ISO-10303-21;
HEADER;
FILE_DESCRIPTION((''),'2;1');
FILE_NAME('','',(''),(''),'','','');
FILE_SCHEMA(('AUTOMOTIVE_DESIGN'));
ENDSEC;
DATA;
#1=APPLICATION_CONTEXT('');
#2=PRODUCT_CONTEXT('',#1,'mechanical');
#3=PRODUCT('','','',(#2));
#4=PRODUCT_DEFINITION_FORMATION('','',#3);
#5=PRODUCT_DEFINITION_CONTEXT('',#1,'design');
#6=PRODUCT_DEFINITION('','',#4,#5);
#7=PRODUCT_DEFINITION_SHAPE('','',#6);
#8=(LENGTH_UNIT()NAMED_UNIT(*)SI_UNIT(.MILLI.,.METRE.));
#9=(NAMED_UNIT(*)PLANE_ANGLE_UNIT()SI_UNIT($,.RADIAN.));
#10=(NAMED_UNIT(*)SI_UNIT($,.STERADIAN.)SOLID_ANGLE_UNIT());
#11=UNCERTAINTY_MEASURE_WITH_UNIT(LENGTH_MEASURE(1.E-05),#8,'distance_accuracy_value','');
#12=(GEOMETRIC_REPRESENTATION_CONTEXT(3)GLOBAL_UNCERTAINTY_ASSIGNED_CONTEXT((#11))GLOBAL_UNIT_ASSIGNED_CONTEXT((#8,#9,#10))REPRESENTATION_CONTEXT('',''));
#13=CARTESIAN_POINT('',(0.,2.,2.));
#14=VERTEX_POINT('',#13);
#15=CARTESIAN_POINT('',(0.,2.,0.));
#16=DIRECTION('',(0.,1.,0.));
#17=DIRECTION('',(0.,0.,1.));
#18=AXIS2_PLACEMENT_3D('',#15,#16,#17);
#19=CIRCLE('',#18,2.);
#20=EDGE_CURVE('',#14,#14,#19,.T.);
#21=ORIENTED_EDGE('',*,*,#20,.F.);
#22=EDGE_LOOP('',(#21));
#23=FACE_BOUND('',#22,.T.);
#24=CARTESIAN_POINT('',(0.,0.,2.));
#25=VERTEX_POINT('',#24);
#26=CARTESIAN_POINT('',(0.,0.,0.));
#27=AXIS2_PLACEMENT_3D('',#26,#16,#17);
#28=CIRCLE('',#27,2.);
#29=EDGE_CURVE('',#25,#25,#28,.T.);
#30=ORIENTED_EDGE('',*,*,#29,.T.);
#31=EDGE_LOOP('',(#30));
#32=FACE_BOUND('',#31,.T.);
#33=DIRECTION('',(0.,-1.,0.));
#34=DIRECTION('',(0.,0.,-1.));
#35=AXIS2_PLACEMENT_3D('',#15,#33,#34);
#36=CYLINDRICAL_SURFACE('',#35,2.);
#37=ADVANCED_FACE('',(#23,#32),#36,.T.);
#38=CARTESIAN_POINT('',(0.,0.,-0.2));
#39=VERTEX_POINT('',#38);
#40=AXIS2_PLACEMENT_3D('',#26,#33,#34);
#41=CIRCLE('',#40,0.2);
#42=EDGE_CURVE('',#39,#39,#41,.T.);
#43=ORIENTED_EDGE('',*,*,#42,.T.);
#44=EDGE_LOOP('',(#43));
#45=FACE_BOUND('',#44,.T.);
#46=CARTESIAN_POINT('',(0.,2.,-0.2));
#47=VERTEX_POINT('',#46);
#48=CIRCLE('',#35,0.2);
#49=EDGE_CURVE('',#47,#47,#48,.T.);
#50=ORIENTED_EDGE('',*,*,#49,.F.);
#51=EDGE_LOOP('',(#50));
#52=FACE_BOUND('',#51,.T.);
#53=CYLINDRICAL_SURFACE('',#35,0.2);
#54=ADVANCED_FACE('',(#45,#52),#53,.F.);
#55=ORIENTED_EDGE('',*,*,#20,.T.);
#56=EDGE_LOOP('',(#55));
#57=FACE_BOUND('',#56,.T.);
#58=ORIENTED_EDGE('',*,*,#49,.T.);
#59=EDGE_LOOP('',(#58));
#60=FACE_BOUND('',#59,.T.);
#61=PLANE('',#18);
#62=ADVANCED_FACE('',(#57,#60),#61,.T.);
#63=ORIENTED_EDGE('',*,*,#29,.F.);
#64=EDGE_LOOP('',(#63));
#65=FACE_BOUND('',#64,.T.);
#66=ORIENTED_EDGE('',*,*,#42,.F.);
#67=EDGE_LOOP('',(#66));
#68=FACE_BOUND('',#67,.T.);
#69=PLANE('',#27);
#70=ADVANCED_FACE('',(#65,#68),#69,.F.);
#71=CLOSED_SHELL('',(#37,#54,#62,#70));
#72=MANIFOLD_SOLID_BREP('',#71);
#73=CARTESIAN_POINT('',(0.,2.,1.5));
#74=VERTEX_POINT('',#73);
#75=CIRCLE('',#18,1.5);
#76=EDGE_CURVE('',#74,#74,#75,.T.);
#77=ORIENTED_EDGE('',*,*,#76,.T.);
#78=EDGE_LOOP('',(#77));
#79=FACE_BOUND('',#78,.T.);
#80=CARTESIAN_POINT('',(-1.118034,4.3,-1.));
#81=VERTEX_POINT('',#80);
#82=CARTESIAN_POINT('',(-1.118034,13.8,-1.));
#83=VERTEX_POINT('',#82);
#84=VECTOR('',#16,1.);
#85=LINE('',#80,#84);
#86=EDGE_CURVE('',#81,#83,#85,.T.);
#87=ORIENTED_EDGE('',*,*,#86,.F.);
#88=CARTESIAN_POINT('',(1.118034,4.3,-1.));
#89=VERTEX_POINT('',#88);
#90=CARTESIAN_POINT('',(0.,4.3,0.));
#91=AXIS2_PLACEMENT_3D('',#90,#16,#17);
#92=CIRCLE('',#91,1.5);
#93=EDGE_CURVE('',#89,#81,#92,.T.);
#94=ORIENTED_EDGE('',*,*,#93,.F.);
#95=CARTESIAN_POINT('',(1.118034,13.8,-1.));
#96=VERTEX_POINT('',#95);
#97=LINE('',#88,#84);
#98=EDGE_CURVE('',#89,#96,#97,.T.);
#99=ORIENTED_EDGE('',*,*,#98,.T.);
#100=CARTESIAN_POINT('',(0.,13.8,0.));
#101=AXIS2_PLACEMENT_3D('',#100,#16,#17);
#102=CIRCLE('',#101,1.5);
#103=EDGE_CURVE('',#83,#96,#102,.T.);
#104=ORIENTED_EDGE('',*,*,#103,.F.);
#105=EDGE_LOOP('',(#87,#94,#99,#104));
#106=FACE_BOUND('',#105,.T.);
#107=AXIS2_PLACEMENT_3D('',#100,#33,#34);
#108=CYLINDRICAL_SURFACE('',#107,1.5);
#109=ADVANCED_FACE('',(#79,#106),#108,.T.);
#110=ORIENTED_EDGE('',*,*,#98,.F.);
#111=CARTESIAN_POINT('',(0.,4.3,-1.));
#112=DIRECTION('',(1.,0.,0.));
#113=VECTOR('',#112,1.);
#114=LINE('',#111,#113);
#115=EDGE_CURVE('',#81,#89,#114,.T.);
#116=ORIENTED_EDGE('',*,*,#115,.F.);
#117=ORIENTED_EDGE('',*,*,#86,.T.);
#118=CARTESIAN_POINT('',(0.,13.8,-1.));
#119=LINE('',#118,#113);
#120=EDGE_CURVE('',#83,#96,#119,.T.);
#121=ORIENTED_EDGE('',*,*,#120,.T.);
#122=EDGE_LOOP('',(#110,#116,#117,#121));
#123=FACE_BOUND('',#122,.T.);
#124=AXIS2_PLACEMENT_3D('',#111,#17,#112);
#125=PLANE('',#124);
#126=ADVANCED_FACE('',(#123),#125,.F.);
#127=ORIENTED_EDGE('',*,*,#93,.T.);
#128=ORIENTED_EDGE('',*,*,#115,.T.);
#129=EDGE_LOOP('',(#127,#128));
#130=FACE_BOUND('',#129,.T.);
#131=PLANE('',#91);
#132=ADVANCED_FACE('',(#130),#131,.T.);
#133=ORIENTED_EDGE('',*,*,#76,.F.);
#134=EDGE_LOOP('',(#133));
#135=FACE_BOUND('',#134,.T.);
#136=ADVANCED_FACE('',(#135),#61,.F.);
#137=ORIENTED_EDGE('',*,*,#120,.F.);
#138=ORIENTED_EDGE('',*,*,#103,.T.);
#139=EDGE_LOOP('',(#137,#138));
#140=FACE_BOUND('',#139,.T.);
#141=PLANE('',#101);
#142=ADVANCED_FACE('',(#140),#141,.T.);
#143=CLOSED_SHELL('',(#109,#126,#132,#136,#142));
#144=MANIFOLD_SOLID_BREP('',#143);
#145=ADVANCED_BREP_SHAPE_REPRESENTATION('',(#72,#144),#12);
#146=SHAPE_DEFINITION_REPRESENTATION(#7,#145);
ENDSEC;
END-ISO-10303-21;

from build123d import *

# Parameters (mm, degrees)
CROQUIS1_R              = 2
SALIENTE_EXTRUIR1_DEPTH = 2
CROQUIS2_R              = 0.2
CORTAR_EXTRUIR1_DEPTH   = 2
CROQUIS3_R              = 1.5
SALIENTE_EXTRUIR2_DEPTH = 11.8
CORTAR_EXTRUIR2_DEPTH   = 9.5


with BuildPart() as part:
    # Croquis1 → Saliente-Extruir1 (new body)
    with BuildSketch(Plane(origin=(0, 0, 0), x_dir=(1, 0, 0), z_dir=(0, 1, 0))):
        with Locations(Location((0, 0, 0), (0, 0, 270))):
            Circle(CROQUIS1_R)
    extrude(amount=SALIENTE_EXTRUIR1_DEPTH)

    # Croquis2 → Cortar-Extruir1 (cut)
    with BuildSketch(Plane.XZ):
        with Locations(Location((0, 0, 0), (0, 0, 270))):
            Circle(CROQUIS2_R)
    extrude(amount=-CORTAR_EXTRUIR1_DEPTH, mode=Mode.SUBTRACT)


with BuildPart() as body_2:
    # Croquis3 → Saliente-Extruir2 (new body)
    with BuildSketch(Plane(origin=(0, 2, 0), x_dir=(1, 0, 0), z_dir=(0, 1, 0))):
        with Locations(Location((0, 0, 0), (0, 0, 270))):
            Circle(CROQUIS3_R)
    extrude(amount=SALIENTE_EXTRUIR2_DEPTH)

    # Croquis5 → Cortar-Extruir2 (cut)
    with BuildSketch(Plane(origin=(0, 13.8, 0), x_dir=(1, 0, 0), z_dir=(0, 1, 0))):
        with BuildLine():
            Line((0, 1), (1.118033989, 1))
            ThreePointArc((1.118033989, 1), (0, 1.5), (-1.118033989, 1))
            Line((-1.118033989, 1), (0, 1))
        make_face()
    extrude(amount=-CORTAR_EXTRUIR2_DEPTH, mode=Mode.SUBTRACT)


solid = Compound([part.part, body_2.part])
